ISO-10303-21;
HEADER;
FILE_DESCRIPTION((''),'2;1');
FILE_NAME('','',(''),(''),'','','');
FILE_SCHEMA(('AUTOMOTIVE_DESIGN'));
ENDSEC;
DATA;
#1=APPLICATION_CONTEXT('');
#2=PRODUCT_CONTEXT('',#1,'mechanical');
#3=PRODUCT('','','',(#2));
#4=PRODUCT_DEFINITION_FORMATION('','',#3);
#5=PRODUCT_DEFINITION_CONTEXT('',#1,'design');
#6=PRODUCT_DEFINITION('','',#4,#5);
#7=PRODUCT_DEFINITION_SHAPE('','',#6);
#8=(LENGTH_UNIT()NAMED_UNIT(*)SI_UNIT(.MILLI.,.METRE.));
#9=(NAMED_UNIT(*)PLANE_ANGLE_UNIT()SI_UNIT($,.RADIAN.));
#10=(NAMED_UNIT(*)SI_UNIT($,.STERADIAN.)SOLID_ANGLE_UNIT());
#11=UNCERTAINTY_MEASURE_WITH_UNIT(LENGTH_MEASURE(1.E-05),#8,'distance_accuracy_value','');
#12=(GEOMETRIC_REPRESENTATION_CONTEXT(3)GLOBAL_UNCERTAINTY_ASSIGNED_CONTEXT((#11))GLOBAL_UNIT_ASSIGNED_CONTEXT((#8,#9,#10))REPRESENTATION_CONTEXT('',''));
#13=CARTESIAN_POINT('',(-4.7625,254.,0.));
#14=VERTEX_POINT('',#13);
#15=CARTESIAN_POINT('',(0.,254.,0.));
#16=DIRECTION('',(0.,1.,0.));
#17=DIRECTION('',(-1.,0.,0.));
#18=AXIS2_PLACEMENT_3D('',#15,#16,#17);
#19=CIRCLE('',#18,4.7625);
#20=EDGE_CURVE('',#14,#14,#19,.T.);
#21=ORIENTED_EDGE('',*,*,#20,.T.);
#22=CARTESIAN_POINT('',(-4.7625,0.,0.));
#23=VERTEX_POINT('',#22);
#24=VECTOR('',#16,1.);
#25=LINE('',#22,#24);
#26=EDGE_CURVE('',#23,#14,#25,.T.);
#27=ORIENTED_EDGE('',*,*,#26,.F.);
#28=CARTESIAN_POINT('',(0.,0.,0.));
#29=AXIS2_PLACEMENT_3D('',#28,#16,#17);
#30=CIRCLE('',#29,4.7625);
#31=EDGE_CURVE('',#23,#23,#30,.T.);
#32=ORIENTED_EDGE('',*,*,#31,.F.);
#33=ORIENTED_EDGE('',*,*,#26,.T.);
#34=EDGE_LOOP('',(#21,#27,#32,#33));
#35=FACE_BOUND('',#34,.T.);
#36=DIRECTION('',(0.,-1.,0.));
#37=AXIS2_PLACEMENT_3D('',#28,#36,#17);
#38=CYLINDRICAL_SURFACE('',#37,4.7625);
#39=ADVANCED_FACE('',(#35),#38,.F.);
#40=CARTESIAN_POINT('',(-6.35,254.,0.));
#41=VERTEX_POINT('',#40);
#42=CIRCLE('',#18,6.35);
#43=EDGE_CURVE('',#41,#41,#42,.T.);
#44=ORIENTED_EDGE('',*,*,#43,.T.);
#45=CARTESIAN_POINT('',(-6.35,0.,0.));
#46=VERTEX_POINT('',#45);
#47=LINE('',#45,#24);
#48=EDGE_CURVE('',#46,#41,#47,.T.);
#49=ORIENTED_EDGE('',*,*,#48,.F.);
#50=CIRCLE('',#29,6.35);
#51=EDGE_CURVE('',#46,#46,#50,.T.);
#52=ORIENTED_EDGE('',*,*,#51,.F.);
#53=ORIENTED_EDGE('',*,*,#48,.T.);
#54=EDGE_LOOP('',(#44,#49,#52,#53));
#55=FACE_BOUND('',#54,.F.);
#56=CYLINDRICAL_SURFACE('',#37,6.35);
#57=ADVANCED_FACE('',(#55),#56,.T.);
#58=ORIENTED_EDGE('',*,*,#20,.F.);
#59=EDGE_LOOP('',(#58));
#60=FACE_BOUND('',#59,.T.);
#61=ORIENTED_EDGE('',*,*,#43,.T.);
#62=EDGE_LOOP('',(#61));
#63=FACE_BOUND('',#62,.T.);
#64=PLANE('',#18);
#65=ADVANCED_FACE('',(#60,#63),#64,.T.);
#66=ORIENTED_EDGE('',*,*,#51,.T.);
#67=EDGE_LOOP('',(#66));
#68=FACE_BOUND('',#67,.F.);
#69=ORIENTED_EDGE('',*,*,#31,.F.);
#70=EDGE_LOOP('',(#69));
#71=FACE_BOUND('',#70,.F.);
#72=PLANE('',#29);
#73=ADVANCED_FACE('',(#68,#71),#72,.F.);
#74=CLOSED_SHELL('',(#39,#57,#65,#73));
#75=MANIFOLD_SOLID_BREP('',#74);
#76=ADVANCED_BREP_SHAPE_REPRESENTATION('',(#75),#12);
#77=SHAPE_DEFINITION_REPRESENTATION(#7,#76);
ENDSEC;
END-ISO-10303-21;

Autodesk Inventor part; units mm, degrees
ref_plane "YZ Plane" through (0, 0, 0) normal (1, 0, 0) x (0, 1, 0)
ref_plane "XZ Plane" through (0, 0, 0) normal (0, 1, 0) x (-1, 0, 0)
ref_plane "XY Plane" through (0, 0, 0) normal (0, 0, 1) x (1, 0, 0)
sketch "Sketch1" plane through (0, 0, 0) normal (0, 1, 0) x (-1, 0, 0)
  circle A0 centre (0, 0) radius 6.35
  circle A1 centre (0, 0) radius 4.7625
  dimension "d0" = 12.7
  dimension "d1" = 9.525
extrude "Extrusion1" add sketch "Sketch1" along normal blind 254
properties part number "7700K52-.375id-WireSleeve" material "ABS Plastic"
